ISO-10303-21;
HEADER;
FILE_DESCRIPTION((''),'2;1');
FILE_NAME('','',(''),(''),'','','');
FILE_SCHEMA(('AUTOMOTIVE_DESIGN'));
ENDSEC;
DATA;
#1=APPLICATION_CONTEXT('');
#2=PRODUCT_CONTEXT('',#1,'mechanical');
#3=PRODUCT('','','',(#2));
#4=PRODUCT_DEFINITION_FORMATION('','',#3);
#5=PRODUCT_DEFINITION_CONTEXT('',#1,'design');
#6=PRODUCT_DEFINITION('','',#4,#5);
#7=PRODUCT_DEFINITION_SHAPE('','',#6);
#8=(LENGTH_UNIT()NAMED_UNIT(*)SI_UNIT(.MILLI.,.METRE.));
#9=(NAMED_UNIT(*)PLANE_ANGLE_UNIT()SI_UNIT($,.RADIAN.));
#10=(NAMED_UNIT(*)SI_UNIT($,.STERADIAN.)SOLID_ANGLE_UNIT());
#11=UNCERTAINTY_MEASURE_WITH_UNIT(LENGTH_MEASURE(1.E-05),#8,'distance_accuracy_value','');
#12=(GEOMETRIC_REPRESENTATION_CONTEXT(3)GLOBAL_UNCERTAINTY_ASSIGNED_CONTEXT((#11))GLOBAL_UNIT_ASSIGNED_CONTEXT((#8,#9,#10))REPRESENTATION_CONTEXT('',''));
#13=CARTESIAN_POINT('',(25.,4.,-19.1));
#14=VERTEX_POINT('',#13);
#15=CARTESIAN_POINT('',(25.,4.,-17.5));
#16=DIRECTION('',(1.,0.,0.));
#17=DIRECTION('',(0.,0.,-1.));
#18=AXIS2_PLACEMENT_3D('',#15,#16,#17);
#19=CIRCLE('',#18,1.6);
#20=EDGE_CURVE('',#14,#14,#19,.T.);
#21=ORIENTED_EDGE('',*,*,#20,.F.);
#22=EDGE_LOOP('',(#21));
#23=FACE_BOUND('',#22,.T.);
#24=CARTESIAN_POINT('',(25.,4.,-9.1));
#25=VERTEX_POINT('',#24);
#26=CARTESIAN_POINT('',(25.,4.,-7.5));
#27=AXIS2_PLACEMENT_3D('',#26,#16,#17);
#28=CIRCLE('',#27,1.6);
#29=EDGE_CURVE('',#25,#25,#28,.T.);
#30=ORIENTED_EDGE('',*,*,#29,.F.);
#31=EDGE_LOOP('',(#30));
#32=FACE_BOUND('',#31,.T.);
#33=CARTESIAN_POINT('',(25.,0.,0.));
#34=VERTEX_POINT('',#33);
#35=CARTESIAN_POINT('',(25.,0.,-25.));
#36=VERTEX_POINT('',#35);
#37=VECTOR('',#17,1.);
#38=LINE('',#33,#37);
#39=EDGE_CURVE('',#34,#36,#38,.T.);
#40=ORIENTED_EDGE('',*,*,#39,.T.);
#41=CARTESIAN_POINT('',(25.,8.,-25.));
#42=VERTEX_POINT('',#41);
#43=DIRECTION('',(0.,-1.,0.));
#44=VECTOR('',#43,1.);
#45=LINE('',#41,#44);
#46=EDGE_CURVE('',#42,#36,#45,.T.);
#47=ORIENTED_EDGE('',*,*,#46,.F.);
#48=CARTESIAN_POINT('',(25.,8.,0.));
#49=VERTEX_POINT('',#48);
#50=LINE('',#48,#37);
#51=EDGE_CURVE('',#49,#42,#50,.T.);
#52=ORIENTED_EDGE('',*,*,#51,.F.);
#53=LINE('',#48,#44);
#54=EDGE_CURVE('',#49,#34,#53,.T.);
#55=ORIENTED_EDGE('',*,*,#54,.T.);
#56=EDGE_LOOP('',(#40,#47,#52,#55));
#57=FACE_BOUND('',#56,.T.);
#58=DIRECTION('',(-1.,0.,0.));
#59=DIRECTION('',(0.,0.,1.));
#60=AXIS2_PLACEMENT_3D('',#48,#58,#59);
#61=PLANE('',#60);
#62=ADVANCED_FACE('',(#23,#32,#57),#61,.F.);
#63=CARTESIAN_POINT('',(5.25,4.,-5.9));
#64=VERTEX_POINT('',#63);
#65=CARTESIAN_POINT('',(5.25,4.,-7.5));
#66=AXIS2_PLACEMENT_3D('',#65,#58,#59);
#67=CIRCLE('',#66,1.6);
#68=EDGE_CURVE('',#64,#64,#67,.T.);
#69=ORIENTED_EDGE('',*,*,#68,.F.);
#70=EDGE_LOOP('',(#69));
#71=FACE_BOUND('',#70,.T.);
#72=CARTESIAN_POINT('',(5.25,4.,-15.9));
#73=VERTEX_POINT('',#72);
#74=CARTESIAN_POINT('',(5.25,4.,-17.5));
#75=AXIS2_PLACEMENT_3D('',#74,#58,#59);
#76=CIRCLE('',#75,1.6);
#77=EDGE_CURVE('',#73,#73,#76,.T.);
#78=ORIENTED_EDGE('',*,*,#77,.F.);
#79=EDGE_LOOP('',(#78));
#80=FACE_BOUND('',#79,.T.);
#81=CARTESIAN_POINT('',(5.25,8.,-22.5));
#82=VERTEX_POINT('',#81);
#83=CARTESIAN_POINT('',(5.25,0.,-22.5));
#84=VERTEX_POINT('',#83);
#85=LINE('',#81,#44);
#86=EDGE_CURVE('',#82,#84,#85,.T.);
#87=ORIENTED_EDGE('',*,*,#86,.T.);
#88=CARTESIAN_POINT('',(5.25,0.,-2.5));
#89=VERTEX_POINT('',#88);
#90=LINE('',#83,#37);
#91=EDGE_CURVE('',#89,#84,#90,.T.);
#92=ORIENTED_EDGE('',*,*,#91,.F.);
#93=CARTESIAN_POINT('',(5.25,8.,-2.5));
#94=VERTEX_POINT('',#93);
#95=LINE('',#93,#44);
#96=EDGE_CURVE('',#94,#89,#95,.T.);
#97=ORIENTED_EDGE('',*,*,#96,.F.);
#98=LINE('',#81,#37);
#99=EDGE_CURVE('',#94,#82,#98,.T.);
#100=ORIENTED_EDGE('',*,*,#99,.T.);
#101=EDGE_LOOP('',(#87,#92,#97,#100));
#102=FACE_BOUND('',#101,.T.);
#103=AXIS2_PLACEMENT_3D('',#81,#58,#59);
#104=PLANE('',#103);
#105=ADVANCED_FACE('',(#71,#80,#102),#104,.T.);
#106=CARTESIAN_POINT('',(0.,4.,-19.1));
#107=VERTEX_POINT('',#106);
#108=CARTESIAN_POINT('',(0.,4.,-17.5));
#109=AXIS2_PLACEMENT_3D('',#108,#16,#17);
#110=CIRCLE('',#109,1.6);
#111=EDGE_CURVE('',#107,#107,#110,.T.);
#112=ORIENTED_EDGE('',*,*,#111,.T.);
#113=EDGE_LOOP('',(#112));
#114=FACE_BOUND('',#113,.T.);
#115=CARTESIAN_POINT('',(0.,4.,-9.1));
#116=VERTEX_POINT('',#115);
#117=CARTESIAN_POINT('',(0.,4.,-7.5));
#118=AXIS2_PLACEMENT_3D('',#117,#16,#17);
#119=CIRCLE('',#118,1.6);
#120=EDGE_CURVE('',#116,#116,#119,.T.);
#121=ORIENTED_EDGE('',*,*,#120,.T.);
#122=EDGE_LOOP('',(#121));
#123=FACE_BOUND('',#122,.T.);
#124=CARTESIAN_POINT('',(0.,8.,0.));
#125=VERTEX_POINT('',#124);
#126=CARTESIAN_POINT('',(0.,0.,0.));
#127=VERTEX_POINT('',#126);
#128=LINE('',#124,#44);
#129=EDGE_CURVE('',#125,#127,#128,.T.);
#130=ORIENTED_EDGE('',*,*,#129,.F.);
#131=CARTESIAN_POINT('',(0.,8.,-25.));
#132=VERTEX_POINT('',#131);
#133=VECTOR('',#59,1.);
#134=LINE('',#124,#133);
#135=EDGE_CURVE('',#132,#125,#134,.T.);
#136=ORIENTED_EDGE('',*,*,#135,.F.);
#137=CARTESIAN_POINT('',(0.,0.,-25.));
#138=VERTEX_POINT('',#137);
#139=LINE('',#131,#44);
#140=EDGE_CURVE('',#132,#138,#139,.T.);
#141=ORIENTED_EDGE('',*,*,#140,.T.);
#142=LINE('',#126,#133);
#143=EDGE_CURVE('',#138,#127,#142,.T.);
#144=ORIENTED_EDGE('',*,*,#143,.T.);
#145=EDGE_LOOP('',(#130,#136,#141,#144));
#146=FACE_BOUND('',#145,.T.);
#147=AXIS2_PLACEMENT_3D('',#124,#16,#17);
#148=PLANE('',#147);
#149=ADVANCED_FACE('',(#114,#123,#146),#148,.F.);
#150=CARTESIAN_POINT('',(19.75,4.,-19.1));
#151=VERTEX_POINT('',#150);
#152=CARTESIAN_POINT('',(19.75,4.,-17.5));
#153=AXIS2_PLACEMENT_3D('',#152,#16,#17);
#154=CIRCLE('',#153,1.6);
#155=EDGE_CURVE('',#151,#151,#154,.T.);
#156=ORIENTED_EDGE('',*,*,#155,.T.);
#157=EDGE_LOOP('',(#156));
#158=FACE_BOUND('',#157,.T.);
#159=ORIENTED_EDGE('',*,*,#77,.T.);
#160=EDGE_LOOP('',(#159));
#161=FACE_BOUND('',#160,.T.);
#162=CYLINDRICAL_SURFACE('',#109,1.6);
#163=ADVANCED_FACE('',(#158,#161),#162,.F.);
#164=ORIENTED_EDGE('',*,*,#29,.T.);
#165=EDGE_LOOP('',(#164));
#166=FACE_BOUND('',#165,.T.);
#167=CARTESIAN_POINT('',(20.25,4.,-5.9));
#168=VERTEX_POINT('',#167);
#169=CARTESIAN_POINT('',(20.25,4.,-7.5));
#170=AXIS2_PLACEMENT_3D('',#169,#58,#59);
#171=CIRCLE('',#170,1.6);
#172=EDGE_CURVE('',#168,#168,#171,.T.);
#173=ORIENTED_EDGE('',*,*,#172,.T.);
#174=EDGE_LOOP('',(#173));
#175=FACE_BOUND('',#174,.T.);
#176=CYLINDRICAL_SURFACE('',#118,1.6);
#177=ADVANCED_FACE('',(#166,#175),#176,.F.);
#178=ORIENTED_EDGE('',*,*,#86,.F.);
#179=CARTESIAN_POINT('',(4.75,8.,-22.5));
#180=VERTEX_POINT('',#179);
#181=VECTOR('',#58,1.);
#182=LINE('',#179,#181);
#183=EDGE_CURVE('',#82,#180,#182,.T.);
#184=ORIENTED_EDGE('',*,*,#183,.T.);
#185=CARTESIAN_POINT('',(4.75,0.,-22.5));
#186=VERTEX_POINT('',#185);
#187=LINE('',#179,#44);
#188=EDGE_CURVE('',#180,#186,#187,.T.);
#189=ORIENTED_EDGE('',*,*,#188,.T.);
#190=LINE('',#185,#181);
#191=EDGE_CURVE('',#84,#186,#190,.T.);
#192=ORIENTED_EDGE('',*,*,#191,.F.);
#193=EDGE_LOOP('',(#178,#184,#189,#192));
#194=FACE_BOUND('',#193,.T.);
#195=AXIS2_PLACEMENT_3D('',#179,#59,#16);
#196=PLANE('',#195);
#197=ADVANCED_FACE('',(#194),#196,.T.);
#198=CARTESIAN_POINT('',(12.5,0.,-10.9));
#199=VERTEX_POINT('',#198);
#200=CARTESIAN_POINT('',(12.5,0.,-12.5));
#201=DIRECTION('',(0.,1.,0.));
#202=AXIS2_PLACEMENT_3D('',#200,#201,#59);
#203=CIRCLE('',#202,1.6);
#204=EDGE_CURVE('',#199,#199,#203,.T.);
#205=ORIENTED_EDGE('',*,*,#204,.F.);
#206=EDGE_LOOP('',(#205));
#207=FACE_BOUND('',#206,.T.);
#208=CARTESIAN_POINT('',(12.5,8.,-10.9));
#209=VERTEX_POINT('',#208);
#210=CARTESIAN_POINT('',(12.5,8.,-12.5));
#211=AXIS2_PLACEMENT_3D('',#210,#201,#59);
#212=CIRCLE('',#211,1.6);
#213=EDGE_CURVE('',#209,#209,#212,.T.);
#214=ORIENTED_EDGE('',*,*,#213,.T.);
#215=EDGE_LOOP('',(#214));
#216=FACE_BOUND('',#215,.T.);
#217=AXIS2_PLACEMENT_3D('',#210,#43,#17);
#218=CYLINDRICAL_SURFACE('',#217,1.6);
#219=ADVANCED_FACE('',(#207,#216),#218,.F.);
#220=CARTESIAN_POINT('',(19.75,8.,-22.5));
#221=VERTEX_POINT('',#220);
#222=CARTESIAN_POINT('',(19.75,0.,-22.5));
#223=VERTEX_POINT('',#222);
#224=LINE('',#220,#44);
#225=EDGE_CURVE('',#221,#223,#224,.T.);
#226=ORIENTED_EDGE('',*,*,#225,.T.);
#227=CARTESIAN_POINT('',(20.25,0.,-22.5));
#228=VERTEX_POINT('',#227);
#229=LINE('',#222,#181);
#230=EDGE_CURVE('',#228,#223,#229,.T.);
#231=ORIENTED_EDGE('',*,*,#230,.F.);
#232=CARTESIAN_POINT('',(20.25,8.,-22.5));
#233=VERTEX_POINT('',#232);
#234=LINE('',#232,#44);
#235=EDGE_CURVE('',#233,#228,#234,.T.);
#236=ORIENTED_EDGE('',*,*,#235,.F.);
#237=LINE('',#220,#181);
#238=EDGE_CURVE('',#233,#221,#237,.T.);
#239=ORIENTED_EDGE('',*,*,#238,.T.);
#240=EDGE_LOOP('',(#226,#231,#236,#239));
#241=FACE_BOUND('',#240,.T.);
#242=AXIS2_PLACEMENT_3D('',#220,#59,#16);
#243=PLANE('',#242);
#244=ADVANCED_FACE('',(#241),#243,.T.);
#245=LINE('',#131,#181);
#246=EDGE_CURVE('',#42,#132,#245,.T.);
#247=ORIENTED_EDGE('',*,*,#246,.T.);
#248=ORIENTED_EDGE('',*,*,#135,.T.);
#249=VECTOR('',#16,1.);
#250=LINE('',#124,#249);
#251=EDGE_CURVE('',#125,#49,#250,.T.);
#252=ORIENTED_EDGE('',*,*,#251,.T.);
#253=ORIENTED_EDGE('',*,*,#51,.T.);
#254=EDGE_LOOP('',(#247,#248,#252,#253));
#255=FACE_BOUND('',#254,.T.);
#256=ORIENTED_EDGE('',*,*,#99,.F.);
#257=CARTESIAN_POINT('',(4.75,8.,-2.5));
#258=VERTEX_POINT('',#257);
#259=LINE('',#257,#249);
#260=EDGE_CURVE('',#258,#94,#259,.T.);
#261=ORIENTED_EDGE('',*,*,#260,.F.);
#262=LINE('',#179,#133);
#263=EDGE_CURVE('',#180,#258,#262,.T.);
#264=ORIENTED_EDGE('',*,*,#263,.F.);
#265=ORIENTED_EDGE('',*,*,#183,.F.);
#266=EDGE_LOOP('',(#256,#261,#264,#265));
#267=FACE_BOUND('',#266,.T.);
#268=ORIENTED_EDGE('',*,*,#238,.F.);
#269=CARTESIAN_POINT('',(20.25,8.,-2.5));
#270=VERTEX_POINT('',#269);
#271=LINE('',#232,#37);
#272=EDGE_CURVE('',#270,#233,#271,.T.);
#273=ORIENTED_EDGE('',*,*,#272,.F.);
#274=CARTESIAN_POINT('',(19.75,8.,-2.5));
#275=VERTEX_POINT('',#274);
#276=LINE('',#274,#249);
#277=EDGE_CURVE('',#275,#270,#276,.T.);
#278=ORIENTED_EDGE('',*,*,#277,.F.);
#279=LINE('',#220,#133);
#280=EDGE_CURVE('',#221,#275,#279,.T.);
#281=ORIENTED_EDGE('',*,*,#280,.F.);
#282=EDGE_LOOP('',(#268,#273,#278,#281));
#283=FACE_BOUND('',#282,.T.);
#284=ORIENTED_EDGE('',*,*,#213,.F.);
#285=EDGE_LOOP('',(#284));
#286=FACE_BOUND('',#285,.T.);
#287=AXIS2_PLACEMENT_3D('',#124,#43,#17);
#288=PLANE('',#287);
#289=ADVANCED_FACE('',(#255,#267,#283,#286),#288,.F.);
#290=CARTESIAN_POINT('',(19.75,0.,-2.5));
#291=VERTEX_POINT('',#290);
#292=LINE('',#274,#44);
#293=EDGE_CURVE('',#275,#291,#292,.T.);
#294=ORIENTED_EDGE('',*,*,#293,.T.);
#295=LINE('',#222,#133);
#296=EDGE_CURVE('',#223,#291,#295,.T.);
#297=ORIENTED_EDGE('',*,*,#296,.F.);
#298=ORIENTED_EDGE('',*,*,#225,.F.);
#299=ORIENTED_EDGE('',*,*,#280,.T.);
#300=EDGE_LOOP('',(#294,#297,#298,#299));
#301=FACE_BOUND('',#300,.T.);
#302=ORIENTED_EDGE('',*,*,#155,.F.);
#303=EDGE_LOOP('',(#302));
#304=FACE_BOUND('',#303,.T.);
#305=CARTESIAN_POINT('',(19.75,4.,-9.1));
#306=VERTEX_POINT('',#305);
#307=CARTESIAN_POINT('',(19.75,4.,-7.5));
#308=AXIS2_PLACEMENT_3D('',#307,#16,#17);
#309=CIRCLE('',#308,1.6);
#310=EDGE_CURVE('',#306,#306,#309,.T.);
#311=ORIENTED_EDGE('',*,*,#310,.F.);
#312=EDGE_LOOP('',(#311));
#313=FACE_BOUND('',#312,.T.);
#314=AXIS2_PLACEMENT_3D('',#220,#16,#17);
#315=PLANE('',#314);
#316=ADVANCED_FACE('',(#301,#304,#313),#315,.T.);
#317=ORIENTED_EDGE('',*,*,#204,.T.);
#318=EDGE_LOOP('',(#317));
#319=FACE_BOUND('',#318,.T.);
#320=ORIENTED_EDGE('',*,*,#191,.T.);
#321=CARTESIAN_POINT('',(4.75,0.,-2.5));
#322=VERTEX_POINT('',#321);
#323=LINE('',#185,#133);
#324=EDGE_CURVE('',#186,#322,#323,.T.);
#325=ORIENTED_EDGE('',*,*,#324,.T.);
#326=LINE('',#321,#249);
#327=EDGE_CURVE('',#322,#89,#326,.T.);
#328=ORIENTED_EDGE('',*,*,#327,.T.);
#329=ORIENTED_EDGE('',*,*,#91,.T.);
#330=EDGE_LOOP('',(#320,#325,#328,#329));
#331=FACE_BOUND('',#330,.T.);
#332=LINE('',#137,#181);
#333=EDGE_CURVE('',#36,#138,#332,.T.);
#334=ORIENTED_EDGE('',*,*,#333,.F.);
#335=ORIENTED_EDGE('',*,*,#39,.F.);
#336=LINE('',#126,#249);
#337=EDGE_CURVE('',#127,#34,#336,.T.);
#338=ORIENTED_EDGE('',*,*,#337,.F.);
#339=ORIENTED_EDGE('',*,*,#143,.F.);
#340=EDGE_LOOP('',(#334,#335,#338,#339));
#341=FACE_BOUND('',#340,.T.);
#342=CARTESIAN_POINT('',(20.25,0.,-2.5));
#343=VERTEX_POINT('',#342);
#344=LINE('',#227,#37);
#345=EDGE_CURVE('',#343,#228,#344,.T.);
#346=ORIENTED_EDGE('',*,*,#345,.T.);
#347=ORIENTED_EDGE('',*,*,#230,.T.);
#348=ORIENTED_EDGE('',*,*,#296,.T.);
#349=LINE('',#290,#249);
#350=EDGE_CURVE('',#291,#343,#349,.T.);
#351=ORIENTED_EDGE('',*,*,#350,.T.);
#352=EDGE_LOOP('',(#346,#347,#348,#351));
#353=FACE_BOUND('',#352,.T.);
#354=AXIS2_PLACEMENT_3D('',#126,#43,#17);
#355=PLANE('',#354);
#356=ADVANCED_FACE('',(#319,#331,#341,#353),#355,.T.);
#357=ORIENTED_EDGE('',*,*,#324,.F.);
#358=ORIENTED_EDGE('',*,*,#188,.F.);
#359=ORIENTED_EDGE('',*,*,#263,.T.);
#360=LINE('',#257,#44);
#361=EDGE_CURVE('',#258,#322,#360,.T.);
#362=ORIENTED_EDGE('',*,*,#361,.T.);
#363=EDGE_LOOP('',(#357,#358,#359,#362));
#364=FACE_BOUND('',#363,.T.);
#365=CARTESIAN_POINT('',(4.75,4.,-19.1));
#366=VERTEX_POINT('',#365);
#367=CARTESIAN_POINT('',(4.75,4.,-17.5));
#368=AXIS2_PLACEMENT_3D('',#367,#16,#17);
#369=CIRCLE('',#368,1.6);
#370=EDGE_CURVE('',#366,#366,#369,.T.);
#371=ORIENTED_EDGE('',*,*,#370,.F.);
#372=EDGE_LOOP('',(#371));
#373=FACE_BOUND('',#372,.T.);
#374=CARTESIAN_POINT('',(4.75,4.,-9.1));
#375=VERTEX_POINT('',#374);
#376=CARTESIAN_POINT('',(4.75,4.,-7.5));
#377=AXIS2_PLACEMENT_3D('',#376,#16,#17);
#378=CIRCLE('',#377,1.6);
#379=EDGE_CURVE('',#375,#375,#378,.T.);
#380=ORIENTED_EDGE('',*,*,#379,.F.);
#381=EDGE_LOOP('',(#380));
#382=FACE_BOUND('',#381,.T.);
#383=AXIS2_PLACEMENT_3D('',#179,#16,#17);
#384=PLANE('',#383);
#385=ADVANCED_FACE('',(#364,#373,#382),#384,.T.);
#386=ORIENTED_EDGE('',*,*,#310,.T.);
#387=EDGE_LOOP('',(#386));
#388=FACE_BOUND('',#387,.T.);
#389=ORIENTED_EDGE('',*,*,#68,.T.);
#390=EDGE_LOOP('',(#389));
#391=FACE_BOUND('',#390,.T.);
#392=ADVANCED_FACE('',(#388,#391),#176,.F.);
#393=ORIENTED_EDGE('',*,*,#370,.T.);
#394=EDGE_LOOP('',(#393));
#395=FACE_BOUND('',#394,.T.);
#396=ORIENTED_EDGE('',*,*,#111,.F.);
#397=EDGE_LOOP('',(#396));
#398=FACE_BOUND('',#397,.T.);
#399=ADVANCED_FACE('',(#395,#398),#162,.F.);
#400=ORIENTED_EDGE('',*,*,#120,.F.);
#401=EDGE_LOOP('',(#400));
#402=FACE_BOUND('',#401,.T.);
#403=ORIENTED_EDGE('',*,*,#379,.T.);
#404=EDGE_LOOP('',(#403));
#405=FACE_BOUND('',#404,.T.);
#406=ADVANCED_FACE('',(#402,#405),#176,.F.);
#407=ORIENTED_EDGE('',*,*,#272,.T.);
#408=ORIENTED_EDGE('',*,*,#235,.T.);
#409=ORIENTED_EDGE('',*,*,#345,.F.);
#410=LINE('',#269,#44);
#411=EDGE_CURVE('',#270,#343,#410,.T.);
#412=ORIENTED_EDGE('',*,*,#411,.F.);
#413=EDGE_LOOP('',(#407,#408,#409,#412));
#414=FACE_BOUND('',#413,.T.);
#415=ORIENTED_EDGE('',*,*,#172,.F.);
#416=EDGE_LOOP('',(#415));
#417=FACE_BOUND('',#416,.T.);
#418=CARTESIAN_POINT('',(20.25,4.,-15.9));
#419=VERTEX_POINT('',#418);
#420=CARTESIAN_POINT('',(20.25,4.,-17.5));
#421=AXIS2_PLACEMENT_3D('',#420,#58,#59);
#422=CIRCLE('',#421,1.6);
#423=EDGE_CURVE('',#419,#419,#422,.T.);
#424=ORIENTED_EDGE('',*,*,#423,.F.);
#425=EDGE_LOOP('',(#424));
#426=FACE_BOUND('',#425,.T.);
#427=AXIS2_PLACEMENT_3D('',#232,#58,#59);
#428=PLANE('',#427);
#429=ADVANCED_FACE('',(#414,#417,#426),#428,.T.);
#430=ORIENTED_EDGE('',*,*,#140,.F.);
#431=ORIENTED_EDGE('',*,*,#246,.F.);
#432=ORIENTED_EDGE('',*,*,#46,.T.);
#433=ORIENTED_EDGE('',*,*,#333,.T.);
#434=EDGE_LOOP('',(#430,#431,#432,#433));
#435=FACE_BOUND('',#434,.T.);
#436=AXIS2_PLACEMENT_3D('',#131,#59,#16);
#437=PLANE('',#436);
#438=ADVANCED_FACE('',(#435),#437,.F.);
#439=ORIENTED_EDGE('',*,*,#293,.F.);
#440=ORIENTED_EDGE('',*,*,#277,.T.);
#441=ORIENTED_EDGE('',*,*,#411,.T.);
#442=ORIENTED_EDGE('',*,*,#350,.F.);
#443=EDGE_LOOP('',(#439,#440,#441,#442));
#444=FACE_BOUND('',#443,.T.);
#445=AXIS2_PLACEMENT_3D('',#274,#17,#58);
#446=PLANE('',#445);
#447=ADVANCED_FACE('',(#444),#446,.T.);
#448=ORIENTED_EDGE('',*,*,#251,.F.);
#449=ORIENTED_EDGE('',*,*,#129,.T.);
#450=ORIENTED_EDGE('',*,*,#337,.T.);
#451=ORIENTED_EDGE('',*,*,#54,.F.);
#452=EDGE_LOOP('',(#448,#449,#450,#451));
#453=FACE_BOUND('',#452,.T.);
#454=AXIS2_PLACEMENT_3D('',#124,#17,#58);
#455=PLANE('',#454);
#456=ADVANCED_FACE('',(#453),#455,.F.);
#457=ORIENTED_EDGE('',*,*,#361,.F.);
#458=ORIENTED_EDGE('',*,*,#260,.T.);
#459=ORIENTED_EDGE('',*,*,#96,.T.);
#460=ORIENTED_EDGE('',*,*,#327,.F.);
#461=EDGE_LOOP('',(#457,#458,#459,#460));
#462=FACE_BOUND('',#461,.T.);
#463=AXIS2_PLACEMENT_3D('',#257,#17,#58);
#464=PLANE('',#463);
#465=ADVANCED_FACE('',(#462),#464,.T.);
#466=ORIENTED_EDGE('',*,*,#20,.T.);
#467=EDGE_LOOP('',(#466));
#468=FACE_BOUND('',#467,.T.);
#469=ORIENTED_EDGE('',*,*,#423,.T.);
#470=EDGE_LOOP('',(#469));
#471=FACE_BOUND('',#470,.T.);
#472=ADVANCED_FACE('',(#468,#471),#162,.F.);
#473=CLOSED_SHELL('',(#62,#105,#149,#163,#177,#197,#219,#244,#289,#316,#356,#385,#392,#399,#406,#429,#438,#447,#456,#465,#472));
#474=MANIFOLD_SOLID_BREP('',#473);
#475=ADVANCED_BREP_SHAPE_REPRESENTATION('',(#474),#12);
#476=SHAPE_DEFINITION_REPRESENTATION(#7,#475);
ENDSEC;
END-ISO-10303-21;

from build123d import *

# Parameters (mm, degrees)
SKETCH2_W           = 25
SKETCH2_H           = 25
SKETCH2_R           = 1.6
SKETCH2_W_2         = 0.5
SKETCH2_H_2         = 20
BOSS_EXTRUDE1_DEPTH = 8
SKETCH3_R           = 1.6
CUT_EXTRUDE1_DEPTH  = 37.249137921


with BuildPart() as part:
    # Sketch2 → Boss-Extrude1 (new body)
    with BuildSketch(Plane(origin=(0, 0, 0), x_dir=(1, 0, 0), z_dir=(0, 1, 0))):
        with Locations((12.5, 12.5)):
            Rectangle(SKETCH2_W, SKETCH2_H)
        with Locations(Location((12.5, 12.5, 0), (0, 0, 270))):
            Circle(SKETCH2_R, mode=Mode.SUBTRACT)
        with Locations((5, 12.5)):
            Rectangle(SKETCH2_W_2, SKETCH2_H_2, mode=Mode.SUBTRACT)
        with Locations((20, 12.5)):
            Rectangle(SKETCH2_W_2, SKETCH2_H_2, mode=Mode.SUBTRACT)
    extrude(amount=BOSS_EXTRUDE1_DEPTH)

    # Sketch3 → Cut-Extrude1 (cut, through all)
    with BuildSketch(Plane(origin=(25, 0, 0), x_dir=(0, 0, -1), z_dir=(1, 0, 0))):
        with Locations((7.5, 4)):
            Circle(SKETCH3_R)
        with Locations((17.5, 4)):
            Circle(SKETCH3_R)
    extrude(amount=-CUT_EXTRUDE1_DEPTH, mode=Mode.SUBTRACT)


solid = part.part
